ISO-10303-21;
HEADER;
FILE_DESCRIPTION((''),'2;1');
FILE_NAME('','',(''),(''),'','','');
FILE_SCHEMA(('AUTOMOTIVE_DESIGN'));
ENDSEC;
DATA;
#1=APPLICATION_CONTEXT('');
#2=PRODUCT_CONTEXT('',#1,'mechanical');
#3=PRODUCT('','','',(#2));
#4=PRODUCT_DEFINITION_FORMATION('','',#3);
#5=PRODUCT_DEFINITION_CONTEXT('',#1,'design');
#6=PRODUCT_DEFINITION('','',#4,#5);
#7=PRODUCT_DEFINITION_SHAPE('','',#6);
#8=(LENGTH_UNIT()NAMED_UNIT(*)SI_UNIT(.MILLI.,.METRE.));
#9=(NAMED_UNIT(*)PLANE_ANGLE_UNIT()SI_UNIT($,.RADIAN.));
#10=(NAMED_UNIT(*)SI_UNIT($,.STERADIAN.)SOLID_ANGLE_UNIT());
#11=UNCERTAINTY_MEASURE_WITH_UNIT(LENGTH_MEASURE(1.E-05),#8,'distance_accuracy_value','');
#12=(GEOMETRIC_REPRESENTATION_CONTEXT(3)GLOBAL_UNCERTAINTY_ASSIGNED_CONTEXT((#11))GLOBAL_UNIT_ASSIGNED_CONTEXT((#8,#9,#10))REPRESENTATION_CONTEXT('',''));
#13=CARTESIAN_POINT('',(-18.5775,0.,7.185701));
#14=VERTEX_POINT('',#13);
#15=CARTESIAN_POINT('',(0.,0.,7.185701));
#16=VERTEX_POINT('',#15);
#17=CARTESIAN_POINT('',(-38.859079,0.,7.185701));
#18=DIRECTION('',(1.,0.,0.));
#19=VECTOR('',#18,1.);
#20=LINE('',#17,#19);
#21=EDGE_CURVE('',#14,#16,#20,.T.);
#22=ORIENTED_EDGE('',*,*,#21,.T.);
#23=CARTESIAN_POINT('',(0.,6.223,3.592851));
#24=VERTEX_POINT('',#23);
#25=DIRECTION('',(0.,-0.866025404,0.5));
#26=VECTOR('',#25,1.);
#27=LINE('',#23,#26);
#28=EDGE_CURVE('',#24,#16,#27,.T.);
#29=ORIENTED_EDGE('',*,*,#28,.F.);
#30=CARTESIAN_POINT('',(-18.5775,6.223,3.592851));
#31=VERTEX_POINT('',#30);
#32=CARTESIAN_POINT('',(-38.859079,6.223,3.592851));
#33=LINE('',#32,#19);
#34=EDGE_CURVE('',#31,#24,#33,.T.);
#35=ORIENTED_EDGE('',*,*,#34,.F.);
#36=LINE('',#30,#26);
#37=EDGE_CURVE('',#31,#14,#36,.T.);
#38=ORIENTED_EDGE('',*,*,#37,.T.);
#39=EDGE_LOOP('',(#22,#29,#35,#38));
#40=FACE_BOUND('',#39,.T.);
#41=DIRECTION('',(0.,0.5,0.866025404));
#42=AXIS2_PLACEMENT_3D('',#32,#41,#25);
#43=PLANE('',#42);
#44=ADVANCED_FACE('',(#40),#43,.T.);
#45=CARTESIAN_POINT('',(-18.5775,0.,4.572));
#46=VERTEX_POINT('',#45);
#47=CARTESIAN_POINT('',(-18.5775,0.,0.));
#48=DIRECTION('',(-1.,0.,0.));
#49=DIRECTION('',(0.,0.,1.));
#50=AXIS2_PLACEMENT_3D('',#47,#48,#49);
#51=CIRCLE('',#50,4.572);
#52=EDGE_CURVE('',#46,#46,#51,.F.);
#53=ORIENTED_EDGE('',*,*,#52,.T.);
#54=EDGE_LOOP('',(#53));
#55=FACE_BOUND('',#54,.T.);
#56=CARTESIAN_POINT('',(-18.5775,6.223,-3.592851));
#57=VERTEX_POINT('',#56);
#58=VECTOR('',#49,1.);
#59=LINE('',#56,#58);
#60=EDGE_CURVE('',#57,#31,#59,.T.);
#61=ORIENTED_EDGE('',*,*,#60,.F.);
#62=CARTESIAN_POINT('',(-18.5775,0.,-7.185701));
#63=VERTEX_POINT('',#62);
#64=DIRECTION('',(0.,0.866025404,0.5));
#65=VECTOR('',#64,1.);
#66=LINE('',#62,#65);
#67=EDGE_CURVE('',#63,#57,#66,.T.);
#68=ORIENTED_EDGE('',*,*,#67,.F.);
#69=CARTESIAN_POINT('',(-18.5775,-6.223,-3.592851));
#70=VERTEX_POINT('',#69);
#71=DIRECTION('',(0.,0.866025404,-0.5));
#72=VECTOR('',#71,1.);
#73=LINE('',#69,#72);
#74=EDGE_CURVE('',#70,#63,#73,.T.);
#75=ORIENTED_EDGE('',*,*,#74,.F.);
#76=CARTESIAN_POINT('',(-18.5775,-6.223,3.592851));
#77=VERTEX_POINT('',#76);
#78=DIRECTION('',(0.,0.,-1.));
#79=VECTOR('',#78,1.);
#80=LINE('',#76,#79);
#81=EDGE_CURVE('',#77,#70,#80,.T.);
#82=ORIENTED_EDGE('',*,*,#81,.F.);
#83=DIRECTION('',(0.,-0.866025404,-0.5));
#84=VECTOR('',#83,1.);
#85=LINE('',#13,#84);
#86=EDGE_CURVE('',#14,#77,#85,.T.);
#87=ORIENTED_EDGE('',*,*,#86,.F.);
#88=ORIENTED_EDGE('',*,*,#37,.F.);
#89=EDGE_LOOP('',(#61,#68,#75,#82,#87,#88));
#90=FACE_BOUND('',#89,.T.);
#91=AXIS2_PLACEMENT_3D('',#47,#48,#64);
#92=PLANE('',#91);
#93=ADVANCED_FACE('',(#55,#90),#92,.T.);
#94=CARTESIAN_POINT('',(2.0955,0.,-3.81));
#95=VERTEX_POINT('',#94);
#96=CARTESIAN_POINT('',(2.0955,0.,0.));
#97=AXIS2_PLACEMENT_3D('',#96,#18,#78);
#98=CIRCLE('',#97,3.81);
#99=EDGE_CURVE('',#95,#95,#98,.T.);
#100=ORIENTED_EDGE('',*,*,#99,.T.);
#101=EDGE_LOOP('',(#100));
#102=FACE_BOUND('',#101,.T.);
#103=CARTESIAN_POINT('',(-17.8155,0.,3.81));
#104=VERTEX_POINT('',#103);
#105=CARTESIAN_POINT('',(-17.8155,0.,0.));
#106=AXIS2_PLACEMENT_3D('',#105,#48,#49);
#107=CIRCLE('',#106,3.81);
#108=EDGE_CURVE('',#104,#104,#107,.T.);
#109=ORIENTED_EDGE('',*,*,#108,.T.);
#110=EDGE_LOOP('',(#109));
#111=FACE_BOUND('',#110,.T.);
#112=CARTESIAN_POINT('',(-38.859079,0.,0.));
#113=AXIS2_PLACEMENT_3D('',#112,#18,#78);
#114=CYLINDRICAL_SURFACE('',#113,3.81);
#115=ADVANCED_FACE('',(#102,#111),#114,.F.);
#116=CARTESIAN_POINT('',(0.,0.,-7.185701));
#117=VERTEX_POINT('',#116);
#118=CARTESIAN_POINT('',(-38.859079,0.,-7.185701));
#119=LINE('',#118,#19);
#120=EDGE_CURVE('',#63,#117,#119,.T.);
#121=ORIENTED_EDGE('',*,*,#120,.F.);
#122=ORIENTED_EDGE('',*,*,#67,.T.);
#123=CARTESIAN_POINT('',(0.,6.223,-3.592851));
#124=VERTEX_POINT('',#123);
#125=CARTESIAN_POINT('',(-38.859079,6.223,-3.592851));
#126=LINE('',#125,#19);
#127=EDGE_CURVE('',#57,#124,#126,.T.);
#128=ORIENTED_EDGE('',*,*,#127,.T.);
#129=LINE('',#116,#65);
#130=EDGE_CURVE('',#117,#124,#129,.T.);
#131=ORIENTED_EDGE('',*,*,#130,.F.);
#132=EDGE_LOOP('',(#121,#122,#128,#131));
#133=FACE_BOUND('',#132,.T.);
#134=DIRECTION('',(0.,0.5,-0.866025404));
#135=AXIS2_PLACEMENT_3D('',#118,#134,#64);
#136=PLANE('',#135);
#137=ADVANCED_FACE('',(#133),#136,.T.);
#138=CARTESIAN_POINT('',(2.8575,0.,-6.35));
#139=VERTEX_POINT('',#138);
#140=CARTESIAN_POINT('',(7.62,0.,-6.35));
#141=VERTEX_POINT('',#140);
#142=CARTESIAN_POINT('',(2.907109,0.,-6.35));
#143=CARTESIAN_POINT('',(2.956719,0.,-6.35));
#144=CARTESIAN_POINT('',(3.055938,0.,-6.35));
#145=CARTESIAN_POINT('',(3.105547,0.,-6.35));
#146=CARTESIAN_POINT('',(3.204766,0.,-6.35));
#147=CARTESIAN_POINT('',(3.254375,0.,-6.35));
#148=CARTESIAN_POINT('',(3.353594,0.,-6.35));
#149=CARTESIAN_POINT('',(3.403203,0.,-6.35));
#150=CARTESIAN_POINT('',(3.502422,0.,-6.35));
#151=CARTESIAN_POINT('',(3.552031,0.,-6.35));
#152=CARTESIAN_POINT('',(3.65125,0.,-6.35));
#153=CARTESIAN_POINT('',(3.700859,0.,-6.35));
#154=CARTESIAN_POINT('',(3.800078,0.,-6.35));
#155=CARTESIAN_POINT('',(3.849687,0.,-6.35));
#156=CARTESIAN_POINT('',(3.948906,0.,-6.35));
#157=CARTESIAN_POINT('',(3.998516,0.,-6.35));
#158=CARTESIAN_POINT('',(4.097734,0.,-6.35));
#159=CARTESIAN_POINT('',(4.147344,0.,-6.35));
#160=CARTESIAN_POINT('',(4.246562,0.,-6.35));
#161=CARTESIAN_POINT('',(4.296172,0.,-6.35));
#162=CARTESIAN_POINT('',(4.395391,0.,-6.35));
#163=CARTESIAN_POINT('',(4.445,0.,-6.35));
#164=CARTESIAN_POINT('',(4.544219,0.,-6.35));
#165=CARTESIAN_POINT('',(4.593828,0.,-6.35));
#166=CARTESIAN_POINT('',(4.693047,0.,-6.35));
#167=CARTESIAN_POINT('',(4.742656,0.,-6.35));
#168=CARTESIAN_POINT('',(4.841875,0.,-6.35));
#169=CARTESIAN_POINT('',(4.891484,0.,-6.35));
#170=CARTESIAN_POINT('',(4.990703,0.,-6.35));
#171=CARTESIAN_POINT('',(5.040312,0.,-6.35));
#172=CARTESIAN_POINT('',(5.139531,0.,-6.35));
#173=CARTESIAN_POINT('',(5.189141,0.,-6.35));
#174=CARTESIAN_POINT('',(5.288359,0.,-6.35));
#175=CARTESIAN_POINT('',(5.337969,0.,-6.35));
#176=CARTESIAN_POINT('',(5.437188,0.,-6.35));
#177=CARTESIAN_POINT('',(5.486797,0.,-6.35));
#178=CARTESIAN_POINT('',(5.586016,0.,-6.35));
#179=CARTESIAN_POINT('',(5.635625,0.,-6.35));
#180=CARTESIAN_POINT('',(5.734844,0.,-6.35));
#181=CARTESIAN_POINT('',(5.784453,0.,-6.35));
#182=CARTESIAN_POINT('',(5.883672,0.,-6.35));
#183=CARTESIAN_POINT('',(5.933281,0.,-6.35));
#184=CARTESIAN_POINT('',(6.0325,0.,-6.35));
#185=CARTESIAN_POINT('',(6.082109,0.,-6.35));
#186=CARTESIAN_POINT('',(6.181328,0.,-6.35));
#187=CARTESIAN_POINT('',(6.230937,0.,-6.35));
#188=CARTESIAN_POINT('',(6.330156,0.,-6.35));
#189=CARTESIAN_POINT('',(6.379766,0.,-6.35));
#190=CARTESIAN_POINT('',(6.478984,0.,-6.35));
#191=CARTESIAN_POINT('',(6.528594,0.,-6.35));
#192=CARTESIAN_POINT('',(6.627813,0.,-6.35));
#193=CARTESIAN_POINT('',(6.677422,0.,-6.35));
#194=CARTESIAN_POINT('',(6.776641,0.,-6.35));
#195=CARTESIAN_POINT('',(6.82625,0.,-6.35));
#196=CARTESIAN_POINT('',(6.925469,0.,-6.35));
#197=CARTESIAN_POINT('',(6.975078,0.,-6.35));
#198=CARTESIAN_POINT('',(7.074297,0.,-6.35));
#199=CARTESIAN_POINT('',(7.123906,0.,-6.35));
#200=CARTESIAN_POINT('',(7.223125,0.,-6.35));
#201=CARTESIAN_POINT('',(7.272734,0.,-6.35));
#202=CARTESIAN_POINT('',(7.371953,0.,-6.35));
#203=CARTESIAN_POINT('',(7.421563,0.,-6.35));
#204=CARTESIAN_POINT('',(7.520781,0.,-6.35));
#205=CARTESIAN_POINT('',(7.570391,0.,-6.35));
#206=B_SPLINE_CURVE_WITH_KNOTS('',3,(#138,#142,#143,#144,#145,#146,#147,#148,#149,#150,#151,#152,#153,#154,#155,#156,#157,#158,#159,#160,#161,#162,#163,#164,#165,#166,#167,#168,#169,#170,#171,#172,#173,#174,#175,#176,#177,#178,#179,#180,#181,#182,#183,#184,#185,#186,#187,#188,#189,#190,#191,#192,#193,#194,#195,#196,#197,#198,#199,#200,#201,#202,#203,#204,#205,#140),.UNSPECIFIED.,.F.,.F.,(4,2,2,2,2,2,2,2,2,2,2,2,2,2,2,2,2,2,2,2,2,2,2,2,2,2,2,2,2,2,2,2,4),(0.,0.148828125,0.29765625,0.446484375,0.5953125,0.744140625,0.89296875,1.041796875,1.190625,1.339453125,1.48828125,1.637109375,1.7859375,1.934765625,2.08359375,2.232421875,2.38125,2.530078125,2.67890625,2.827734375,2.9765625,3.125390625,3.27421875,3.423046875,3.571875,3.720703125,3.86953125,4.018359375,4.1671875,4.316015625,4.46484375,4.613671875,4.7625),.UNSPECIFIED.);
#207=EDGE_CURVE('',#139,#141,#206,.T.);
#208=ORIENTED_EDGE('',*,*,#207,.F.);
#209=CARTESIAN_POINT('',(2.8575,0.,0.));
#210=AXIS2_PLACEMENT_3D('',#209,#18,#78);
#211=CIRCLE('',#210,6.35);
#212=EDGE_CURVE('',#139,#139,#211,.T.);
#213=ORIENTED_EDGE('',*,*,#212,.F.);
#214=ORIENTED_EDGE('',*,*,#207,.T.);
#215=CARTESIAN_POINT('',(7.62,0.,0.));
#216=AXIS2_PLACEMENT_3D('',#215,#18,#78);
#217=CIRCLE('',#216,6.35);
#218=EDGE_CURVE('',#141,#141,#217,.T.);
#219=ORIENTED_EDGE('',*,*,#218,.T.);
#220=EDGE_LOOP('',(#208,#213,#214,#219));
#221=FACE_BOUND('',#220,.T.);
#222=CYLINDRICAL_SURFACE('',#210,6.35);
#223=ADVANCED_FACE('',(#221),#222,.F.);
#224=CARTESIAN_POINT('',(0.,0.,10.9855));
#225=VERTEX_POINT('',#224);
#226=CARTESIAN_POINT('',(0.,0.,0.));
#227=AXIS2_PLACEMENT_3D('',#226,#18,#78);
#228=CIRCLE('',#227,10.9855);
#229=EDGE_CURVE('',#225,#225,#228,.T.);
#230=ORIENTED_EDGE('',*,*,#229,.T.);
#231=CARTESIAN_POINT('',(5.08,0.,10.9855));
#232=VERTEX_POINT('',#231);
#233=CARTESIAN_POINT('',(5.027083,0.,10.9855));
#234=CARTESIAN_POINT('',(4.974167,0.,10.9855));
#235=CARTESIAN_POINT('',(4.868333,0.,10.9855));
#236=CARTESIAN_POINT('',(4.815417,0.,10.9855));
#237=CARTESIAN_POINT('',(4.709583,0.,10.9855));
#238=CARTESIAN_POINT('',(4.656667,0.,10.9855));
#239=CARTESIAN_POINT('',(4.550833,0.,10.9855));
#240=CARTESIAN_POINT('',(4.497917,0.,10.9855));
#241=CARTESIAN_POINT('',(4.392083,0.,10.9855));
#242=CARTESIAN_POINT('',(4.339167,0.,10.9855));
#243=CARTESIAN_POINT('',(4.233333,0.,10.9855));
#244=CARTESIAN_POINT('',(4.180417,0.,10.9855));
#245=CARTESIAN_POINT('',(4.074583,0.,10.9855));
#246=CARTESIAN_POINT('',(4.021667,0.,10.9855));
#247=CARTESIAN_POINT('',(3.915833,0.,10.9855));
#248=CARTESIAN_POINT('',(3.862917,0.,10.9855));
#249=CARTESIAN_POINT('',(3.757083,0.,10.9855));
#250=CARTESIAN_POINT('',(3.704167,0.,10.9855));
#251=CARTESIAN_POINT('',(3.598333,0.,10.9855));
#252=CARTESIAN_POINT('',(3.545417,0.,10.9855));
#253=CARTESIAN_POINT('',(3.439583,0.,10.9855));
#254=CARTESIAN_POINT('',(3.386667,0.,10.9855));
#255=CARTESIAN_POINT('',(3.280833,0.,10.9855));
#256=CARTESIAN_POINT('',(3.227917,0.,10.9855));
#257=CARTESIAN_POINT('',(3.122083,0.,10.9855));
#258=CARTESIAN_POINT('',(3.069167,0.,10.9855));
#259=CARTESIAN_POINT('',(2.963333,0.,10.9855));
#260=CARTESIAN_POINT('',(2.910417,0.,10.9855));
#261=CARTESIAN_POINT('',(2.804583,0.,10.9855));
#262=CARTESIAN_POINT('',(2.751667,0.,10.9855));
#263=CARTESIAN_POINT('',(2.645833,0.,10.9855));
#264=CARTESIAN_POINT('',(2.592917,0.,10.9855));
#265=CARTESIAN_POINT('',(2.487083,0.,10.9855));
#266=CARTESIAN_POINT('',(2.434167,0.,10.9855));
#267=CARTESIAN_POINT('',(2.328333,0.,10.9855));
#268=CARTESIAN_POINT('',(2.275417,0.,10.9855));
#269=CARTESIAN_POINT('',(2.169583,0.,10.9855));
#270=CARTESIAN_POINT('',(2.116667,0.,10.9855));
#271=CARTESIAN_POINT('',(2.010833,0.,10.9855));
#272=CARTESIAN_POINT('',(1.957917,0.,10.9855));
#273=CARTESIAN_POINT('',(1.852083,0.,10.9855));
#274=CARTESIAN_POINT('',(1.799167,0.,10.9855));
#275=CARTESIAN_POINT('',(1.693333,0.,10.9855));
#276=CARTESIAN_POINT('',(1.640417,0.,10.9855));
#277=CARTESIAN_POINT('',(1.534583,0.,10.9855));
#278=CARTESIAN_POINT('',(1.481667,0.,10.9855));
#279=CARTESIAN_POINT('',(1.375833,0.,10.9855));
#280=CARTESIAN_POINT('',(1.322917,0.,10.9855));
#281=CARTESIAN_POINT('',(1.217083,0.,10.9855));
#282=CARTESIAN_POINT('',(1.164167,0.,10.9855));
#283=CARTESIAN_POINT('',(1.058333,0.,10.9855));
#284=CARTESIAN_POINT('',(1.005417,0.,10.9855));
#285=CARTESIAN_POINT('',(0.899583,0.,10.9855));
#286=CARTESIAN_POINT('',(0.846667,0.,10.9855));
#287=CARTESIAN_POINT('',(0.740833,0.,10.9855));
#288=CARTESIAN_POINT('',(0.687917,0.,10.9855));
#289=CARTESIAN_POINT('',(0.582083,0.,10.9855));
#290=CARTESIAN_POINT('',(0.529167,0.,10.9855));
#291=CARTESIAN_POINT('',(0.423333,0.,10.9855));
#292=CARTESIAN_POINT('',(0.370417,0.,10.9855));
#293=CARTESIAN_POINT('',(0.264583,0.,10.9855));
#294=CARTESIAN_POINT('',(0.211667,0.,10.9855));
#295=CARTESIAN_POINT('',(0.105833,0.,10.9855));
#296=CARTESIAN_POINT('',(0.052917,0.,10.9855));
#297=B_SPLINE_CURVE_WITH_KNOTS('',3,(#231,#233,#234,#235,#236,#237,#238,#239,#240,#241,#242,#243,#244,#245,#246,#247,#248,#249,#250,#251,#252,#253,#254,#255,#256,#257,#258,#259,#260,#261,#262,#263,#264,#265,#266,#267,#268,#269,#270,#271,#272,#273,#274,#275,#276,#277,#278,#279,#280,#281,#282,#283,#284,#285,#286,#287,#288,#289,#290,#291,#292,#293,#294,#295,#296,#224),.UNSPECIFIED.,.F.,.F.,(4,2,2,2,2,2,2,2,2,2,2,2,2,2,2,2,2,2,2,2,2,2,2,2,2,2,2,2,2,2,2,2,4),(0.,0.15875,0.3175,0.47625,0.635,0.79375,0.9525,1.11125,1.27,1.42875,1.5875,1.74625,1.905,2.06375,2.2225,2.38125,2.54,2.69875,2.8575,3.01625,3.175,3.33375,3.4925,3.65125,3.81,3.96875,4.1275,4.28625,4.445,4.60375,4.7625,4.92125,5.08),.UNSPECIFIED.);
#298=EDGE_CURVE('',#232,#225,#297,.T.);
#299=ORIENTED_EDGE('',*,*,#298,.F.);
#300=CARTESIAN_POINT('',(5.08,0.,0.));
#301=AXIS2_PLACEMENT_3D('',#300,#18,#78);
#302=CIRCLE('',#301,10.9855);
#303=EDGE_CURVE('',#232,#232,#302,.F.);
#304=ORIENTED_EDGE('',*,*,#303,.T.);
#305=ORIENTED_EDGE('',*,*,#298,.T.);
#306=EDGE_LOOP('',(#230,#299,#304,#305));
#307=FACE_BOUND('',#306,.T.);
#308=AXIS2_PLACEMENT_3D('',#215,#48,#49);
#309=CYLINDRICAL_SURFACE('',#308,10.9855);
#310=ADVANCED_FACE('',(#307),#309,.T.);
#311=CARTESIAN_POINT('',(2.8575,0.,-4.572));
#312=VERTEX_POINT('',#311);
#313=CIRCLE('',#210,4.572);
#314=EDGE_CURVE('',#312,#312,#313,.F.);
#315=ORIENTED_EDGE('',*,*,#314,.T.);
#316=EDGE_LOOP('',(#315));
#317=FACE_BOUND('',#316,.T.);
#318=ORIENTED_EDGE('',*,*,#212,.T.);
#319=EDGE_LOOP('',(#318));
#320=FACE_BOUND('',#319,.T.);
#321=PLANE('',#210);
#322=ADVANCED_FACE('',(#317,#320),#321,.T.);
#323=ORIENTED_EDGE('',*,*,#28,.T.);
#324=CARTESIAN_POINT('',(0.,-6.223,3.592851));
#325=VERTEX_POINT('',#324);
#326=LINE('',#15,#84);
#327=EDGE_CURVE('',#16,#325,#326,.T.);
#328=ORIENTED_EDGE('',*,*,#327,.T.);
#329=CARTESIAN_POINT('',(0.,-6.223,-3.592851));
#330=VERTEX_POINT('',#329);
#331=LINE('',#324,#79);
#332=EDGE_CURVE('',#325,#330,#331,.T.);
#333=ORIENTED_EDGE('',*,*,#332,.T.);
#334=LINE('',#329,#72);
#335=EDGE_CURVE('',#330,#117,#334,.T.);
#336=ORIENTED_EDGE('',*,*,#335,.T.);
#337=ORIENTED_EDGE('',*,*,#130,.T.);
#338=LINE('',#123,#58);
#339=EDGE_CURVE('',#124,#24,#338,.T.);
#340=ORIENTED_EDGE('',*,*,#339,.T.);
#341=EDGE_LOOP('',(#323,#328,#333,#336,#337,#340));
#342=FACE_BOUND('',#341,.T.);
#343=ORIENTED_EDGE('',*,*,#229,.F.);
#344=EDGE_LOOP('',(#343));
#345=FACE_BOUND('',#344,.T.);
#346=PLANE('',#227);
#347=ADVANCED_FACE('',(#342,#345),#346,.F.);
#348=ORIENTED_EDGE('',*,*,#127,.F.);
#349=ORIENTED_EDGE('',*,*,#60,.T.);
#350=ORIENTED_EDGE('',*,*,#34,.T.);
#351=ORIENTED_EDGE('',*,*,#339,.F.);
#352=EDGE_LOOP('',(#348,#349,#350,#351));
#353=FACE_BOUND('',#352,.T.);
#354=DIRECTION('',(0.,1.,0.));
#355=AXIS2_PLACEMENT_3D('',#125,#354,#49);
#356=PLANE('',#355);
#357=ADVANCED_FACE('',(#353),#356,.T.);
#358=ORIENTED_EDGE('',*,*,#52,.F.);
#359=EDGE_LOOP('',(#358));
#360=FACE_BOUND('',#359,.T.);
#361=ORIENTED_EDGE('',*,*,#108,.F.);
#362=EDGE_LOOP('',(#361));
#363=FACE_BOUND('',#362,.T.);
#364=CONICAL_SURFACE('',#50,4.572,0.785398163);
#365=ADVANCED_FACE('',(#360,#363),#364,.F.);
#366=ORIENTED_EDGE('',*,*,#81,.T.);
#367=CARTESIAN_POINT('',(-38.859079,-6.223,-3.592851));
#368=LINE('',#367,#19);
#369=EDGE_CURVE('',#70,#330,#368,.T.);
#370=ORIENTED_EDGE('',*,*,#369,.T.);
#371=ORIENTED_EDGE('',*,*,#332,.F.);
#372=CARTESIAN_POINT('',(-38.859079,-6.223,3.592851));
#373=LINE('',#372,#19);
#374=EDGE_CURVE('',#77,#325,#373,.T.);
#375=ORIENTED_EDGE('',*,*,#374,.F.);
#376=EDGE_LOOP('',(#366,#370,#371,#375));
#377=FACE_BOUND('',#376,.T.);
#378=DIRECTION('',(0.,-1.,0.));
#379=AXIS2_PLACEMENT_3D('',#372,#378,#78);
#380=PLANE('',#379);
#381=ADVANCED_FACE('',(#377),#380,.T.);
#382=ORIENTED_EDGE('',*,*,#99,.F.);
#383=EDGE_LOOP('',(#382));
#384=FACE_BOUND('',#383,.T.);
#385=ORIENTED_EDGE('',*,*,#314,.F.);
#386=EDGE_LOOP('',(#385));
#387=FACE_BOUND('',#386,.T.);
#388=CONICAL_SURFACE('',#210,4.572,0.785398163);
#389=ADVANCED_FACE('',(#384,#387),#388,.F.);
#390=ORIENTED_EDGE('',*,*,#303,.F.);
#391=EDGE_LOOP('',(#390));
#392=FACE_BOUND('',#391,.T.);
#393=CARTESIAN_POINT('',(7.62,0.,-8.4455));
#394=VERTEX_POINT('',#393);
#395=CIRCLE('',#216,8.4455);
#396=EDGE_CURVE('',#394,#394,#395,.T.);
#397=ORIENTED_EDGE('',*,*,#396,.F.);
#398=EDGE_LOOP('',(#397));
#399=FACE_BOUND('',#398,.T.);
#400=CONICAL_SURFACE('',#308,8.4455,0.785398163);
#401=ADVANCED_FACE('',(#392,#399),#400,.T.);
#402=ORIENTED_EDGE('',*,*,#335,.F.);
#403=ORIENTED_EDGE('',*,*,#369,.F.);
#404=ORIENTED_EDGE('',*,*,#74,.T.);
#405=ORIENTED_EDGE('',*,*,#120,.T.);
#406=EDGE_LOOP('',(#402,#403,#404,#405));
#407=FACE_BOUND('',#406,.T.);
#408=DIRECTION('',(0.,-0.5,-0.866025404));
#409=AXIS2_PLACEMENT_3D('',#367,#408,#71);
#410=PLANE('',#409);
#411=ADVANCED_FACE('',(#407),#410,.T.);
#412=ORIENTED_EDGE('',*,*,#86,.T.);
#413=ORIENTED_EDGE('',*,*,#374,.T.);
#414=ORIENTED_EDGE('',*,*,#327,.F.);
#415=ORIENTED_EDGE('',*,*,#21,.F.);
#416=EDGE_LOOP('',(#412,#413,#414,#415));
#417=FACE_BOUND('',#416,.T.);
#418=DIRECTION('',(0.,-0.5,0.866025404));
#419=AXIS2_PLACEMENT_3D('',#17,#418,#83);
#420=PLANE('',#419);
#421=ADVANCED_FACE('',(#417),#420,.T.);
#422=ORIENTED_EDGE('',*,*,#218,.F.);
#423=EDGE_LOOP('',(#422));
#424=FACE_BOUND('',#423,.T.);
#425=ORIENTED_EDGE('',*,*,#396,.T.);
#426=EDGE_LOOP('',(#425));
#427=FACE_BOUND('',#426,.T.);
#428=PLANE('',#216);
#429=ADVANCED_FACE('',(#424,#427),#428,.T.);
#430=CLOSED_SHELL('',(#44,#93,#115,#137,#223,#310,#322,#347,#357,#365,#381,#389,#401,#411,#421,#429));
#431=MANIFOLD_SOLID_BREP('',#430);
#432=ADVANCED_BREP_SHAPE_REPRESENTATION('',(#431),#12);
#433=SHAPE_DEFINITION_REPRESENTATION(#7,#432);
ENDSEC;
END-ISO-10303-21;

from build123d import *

# Parameters (mm, degrees)
SKETCH1_R           = 3.81
BOSS_EXTRUDE1_DEPTH = 18.5775
BOSS_EXTRUDE2_START = 7.62
SKETCH2_R           = 10.9855
SKETCH2_R_2         = 3.81
BOSS_EXTRUDE2_DEPTH = 7.62
SKETCH3_R           = 6.35
CUT_EXTRUDE1_DEPTH  = 4.7625
CHAMFER1_SIZE       = 2.54
CHAMFER2_SIZE       = 0.762


with BuildPart() as part:
    # Sketch1 → Boss-Extrude1 (new body)
    with BuildSketch(Plane(origin=(0, 0, 0), x_dir=(0, 0, -1), z_dir=(1, 0, 0))):
        Polygon((3.592850725, 6.223), (-3.592850725, 6.223), (-7.18570145, 0), (-3.592850725, -6.223), (3.592850725, -6.223), (7.18570145, 0), align=None)
        Circle(SKETCH1_R, mode=Mode.SUBTRACT)
    extrude(amount=-BOSS_EXTRUDE1_DEPTH)

    # Sketch2 → Boss-Extrude2 (add)
    with BuildSketch(Plane(origin=(0, 0, 0), x_dir=(0, 0, -1), z_dir=(1, 0, 0)).offset(BOSS_EXTRUDE2_START)):
        with Locations(Location((0, 0, 0), (0, 0, 180))):
            Circle(SKETCH2_R)
        Circle(SKETCH2_R_2, mode=Mode.SUBTRACT)
    extrude(amount=-BOSS_EXTRUDE2_DEPTH)

    # Sketch3 → Cut-Extrude1 (cut)
    with BuildSketch(Plane(origin=(7.62, 0, 0), x_dir=(0, 0, -1), z_dir=(1, 0, 0))):
        Circle(SKETCH3_R)
    extrude(amount=-CUT_EXTRUDE1_DEPTH, mode=Mode.SUBTRACT)

    # Chamfer1
    chamfer1_edges = [part.edges().sort_by_distance(p)[0] for p in [
        (7.62, 0, -10.9855),
    ]]
    chamfer(chamfer1_edges, length=CHAMFER1_SIZE)

    # Chamfer2
    chamfer2_edges = [part.edges().sort_by_distance(p)[0] for p in [
        (2.8575, 0, 3.81),
        (-18.5775, 0, 3.81),
    ]]
    chamfer(chamfer2_edges, length=CHAMFER2_SIZE)


solid = part.part
